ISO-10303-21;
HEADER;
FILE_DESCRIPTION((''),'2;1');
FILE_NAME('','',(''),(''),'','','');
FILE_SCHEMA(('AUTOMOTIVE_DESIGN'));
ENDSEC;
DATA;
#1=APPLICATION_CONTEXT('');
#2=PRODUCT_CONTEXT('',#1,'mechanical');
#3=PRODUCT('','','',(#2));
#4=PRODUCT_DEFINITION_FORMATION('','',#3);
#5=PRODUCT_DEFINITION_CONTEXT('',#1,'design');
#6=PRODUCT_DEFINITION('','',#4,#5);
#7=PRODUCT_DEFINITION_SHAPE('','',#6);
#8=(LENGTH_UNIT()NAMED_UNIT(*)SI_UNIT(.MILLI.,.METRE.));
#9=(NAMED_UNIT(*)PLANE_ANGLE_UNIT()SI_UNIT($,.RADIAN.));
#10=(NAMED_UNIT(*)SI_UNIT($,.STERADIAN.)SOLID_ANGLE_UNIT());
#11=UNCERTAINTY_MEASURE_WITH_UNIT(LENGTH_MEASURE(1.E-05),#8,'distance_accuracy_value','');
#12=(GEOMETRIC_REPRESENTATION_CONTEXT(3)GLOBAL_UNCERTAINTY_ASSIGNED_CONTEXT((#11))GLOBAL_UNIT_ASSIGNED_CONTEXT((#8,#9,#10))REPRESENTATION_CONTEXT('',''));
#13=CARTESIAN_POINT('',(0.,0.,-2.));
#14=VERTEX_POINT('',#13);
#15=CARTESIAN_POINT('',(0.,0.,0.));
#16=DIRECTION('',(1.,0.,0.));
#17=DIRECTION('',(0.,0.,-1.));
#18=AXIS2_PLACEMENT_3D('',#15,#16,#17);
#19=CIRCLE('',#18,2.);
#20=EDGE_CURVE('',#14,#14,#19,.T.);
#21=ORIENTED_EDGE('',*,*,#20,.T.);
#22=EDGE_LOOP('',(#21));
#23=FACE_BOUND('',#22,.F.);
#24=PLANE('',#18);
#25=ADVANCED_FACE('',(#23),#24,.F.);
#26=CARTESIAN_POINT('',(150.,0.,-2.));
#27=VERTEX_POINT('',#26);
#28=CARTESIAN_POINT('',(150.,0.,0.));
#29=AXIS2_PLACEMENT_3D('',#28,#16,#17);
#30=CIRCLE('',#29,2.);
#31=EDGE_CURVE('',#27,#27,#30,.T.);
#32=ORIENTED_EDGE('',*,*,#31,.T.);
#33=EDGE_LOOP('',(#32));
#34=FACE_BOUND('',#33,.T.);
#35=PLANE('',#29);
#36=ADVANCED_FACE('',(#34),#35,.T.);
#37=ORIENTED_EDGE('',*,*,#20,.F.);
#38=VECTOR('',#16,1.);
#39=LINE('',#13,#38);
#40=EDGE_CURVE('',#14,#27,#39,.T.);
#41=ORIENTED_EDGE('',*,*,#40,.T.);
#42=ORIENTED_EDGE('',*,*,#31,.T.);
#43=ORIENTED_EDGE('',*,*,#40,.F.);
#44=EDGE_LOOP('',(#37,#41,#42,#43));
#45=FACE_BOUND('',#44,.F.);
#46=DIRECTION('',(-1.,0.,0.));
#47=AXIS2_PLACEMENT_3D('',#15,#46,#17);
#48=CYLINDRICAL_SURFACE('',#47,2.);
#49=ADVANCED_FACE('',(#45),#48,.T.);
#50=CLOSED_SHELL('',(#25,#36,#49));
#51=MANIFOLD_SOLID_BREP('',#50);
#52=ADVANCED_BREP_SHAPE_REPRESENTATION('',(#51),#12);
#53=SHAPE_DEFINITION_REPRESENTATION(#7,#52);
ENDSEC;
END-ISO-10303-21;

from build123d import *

# Parameters (mm, degrees)
SKETCH1_R           = 2
BOSS_EXTRUDE1_DEPTH = 150


with BuildPart() as part:
    # Sketch1 → Boss-Extrude1 (new body)
    with BuildSketch(Plane(origin=(0, 0, 0), x_dir=(0, 0, -1), z_dir=(1, 0, 0))):
        Circle(SKETCH1_R)
    extrude(amount=BOSS_EXTRUDE1_DEPTH)


solid = part.part
